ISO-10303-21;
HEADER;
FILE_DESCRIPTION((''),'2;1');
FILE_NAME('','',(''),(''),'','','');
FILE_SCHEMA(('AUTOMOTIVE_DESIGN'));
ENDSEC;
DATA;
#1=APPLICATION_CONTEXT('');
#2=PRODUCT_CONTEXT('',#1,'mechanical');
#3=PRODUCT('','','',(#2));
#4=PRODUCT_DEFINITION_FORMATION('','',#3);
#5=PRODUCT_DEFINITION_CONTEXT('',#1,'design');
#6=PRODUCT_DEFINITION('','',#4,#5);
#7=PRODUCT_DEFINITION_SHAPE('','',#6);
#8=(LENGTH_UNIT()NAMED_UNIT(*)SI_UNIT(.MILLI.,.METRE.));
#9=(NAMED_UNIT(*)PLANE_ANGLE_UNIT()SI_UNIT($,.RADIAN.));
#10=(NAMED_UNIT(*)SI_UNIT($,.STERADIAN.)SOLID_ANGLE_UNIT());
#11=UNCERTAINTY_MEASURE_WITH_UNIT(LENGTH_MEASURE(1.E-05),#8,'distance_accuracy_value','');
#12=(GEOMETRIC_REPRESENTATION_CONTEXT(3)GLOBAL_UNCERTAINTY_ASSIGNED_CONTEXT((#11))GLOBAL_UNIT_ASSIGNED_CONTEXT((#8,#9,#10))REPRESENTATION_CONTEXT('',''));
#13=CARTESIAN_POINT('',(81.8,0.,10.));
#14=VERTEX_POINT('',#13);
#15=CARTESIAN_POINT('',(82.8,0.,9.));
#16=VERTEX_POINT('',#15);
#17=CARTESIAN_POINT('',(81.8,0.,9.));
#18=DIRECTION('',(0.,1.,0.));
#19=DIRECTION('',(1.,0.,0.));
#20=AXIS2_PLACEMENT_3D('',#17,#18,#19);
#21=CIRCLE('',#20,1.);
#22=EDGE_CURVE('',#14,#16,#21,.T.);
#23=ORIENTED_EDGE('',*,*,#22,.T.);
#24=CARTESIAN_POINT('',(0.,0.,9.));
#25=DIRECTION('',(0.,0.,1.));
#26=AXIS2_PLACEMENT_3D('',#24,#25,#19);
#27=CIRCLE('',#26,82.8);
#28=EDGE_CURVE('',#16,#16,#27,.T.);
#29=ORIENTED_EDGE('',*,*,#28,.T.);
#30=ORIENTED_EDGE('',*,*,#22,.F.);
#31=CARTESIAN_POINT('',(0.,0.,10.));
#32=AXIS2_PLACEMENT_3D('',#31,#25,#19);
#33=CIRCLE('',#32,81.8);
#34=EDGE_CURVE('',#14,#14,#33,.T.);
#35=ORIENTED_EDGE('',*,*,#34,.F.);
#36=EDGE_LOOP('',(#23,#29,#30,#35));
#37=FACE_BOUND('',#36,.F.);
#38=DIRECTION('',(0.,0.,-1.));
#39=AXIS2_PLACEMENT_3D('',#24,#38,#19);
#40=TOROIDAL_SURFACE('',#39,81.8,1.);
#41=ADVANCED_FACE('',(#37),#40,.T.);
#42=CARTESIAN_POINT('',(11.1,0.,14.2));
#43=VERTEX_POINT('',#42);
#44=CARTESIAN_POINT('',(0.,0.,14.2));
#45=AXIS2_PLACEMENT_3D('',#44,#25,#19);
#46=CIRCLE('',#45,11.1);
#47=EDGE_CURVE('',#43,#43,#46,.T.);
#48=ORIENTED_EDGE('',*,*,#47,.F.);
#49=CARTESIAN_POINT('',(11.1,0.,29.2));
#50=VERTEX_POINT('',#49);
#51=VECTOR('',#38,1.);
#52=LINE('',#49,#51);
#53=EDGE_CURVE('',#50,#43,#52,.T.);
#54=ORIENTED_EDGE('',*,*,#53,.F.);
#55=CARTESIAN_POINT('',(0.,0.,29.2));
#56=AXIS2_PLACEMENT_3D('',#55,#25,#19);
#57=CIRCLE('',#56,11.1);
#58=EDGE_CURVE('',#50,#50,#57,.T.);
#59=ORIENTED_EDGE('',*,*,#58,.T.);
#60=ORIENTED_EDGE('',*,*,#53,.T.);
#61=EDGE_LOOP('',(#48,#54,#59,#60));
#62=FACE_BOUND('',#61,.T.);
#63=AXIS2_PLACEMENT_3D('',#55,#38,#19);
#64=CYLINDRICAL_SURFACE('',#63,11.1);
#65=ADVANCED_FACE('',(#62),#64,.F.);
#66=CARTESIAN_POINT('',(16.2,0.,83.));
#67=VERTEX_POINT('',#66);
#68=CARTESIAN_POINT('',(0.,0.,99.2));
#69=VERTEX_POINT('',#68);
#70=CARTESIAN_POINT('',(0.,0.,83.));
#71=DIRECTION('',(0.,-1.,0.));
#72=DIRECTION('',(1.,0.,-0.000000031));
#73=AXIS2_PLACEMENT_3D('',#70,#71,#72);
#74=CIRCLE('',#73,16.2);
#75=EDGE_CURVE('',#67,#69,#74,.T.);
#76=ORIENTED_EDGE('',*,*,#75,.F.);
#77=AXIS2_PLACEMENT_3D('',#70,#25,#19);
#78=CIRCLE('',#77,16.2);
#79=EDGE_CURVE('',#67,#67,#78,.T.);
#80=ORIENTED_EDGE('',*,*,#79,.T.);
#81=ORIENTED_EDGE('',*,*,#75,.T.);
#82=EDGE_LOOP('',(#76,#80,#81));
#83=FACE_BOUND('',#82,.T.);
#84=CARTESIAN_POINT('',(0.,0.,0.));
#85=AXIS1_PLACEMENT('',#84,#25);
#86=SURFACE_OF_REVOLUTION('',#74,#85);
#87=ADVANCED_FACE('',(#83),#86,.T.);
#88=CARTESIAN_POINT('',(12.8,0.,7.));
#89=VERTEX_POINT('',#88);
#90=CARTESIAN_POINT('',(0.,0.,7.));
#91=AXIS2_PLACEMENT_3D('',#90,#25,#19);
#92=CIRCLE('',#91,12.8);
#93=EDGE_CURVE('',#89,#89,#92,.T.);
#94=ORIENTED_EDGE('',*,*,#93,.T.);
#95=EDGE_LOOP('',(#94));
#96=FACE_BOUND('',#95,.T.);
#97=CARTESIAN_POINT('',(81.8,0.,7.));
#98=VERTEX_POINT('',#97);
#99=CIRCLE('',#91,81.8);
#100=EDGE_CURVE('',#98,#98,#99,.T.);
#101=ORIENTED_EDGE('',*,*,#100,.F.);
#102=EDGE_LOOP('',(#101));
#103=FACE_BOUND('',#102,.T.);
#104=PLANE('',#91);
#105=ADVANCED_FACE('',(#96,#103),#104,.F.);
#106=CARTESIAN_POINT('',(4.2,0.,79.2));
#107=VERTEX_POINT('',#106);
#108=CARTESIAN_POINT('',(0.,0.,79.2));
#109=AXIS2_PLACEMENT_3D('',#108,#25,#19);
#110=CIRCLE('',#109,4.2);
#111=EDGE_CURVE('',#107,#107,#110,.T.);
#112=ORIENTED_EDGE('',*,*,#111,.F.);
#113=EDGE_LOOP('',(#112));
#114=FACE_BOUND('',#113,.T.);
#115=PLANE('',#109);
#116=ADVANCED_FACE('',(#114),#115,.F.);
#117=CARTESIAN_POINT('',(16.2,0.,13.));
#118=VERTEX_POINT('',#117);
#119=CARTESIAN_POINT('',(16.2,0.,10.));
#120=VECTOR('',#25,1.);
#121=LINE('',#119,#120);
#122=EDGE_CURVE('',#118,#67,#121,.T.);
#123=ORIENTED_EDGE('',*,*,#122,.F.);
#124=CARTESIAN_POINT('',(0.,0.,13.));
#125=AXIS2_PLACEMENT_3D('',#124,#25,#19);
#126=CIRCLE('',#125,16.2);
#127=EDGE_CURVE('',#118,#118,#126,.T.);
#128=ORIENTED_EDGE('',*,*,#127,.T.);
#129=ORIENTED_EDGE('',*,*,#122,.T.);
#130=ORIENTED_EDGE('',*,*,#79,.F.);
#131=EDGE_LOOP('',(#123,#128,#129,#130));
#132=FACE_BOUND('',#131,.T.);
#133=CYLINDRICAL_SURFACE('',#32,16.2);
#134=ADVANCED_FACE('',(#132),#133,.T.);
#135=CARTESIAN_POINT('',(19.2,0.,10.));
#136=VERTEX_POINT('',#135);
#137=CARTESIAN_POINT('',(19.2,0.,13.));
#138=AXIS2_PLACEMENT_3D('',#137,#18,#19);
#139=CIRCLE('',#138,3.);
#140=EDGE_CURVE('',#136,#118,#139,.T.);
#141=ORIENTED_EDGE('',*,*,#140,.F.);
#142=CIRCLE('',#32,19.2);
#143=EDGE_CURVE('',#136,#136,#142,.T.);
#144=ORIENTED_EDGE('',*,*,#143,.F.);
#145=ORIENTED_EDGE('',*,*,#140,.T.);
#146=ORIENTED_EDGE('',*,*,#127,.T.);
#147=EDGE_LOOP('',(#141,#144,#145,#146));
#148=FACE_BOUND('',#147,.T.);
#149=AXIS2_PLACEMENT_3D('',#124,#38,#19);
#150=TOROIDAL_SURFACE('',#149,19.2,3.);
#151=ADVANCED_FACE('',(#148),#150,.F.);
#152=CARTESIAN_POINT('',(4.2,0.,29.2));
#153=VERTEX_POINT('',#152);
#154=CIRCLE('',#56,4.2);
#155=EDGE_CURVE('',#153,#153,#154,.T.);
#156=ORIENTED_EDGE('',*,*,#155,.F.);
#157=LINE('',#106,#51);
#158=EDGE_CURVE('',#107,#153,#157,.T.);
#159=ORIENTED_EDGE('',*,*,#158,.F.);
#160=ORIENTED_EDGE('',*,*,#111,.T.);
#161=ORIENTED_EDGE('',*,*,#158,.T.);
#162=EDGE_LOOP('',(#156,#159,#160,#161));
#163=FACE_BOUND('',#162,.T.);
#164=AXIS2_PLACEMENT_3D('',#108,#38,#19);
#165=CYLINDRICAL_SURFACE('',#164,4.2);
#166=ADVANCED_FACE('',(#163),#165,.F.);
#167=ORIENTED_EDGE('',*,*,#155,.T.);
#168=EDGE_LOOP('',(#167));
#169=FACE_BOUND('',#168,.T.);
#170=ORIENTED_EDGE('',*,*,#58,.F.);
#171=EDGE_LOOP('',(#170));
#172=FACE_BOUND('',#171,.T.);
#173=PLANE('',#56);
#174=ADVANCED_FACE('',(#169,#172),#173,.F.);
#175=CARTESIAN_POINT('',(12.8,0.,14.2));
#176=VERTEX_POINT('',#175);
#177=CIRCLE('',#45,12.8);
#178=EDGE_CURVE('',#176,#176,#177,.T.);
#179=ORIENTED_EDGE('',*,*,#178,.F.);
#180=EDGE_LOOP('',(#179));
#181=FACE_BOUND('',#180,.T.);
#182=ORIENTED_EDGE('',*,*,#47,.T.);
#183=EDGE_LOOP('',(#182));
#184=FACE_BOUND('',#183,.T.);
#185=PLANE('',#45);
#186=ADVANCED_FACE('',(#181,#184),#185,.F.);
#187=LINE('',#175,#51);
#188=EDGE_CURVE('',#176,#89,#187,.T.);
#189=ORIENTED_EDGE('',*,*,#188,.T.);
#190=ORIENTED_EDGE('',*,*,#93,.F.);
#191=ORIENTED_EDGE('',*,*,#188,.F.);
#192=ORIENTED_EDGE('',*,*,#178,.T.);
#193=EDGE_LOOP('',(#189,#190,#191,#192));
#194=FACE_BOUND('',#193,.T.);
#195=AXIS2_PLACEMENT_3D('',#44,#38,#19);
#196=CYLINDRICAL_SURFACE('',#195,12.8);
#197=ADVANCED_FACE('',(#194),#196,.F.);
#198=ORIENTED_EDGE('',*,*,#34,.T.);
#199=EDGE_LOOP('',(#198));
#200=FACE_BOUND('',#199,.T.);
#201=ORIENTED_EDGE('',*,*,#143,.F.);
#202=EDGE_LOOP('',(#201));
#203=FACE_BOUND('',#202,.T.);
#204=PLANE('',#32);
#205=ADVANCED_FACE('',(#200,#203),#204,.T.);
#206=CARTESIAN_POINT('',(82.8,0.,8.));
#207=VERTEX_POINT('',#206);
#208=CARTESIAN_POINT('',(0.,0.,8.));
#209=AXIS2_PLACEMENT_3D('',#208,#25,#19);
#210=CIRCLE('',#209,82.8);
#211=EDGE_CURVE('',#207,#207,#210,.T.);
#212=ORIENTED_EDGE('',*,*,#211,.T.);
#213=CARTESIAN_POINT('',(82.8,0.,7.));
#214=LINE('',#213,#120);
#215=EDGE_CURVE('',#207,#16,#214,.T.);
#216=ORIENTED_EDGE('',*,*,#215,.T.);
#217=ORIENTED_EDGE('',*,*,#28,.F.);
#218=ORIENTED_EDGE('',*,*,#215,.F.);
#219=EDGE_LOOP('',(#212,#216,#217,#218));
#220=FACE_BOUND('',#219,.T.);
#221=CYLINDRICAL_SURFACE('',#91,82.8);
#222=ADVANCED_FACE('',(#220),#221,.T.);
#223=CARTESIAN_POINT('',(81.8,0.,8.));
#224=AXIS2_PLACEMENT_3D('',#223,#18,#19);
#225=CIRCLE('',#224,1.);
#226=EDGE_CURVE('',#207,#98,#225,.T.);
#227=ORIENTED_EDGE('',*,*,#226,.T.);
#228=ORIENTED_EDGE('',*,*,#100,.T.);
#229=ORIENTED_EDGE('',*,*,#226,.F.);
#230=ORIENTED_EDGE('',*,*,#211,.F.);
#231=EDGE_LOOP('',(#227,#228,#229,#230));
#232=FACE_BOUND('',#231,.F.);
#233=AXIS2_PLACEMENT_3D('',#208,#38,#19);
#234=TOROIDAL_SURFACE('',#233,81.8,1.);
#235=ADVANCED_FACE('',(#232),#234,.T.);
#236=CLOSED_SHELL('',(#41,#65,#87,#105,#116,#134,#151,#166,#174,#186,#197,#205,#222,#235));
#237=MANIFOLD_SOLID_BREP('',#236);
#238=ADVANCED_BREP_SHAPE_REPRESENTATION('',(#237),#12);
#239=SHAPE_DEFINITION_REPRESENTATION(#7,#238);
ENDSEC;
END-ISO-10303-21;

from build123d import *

# Parameters (mm, degrees)
FILLET004_R = 3
FILLET005_R = 1


with BuildPart() as part:
    # Sketch010 → Revolution (revolve)
    with BuildSketch(Plane.XZ):
        with BuildLine():
            Line((0, 79.2), (4.2, 79.2))
            Line((4.2, 79.2), (4.2, 29.2))
            Line((4.2, 29.2), (11.1, 29.2))
            Line((11.1, 29.2), (11.1, 14.2))
            Line((11.1, 14.2), (12.8, 14.2))
            Line((12.8, 14.2), (12.8, 7))
            Line((12.8, 7), (82.8, 7))
            Line((82.8, 7), (82.8, 10))
            Line((82.8, 10), (16.2, 10))
            Line((16.2, 10), (16.2, 83))
            ThreePointArc((16.2, 83), (11.45513, 94.45513), (0, 99.2))
            Line((0, 79.2), (0, 99.2))
        make_face()
    revolve(axis=Axis((0, 0, 0), (0, 0, 1)))

    # Fillet004
    fillet004_edges = [part.edges().sort_by_distance(p)[0] for p in [
        (-16.2, 0, 10),
    ]]
    fillet(fillet004_edges, radius=FILLET004_R)

    # Fillet005
    fillet005_edges = [part.edges().sort_by_distance(p)[0] for p in [
        (-82.8, 0, 10),
        (-82.8, 0, 7),
    ]]
    fillet(fillet005_edges, radius=FILLET005_R)


solid = part.part
